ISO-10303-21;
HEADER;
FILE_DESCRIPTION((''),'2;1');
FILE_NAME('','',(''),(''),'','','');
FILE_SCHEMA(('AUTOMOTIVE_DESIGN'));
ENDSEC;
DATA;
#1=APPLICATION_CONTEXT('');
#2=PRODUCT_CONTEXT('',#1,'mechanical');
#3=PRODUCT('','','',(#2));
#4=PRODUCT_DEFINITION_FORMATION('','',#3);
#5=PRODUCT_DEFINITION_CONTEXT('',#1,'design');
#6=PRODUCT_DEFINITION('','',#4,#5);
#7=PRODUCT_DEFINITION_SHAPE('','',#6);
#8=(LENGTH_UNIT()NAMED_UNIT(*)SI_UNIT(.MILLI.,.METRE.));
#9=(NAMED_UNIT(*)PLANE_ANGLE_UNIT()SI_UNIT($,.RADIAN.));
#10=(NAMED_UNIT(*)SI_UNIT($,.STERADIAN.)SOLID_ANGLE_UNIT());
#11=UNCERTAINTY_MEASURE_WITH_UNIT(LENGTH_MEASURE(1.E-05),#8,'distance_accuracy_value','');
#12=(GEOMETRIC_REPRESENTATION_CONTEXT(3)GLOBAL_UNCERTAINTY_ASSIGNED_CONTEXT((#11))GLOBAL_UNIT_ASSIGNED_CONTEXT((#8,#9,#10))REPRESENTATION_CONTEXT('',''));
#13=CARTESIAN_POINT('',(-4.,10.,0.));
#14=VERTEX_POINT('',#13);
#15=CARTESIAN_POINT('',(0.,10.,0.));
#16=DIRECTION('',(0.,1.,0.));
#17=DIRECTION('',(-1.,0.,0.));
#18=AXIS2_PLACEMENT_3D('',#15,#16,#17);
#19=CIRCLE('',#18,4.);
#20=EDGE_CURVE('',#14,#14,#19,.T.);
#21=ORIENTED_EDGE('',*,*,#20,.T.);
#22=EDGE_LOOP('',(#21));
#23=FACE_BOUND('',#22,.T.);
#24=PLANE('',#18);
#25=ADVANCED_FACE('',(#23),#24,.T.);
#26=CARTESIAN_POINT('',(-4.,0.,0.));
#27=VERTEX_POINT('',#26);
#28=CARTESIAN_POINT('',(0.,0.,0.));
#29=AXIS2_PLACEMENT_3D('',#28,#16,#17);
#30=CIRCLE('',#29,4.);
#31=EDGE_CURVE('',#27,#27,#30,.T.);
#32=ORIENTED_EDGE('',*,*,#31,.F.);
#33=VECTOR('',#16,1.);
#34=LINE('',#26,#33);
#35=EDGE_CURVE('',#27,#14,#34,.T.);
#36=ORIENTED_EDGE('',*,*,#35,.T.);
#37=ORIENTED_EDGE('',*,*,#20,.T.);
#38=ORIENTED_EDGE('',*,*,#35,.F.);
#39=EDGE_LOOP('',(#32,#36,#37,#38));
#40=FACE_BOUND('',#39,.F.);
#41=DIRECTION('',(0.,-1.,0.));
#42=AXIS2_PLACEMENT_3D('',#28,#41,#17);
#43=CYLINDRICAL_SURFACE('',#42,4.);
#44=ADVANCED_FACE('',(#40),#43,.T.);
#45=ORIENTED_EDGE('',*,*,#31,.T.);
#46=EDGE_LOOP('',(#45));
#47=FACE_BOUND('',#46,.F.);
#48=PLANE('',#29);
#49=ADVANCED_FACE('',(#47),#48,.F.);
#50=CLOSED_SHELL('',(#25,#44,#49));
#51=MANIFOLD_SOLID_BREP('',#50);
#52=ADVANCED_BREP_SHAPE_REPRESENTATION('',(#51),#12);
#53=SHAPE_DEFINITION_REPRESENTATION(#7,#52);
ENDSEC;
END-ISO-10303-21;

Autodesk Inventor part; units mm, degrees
ref_plane "YZ Plane" through (0, 0, 0) normal (1, 0, 0) x (0, 1, 0)
ref_plane "XZ Plane" through (0, 0, 0) normal (0, 1, 0) x (-1, 0, 0)
ref_plane "XY Plane" through (0, 0, 0) normal (0, 0, 1) x (1, 0, 0)
sketch "Sketch1" plane through (0, 0, 0) normal (0, 1, 0) x (-1, 0, 0)
  circle A0 centre (0, 0) radius 4
  dimension "d0" = 8
extrude "Extrusion1" add sketch "Sketch1" along normal blind 10
properties part number "Circle"
